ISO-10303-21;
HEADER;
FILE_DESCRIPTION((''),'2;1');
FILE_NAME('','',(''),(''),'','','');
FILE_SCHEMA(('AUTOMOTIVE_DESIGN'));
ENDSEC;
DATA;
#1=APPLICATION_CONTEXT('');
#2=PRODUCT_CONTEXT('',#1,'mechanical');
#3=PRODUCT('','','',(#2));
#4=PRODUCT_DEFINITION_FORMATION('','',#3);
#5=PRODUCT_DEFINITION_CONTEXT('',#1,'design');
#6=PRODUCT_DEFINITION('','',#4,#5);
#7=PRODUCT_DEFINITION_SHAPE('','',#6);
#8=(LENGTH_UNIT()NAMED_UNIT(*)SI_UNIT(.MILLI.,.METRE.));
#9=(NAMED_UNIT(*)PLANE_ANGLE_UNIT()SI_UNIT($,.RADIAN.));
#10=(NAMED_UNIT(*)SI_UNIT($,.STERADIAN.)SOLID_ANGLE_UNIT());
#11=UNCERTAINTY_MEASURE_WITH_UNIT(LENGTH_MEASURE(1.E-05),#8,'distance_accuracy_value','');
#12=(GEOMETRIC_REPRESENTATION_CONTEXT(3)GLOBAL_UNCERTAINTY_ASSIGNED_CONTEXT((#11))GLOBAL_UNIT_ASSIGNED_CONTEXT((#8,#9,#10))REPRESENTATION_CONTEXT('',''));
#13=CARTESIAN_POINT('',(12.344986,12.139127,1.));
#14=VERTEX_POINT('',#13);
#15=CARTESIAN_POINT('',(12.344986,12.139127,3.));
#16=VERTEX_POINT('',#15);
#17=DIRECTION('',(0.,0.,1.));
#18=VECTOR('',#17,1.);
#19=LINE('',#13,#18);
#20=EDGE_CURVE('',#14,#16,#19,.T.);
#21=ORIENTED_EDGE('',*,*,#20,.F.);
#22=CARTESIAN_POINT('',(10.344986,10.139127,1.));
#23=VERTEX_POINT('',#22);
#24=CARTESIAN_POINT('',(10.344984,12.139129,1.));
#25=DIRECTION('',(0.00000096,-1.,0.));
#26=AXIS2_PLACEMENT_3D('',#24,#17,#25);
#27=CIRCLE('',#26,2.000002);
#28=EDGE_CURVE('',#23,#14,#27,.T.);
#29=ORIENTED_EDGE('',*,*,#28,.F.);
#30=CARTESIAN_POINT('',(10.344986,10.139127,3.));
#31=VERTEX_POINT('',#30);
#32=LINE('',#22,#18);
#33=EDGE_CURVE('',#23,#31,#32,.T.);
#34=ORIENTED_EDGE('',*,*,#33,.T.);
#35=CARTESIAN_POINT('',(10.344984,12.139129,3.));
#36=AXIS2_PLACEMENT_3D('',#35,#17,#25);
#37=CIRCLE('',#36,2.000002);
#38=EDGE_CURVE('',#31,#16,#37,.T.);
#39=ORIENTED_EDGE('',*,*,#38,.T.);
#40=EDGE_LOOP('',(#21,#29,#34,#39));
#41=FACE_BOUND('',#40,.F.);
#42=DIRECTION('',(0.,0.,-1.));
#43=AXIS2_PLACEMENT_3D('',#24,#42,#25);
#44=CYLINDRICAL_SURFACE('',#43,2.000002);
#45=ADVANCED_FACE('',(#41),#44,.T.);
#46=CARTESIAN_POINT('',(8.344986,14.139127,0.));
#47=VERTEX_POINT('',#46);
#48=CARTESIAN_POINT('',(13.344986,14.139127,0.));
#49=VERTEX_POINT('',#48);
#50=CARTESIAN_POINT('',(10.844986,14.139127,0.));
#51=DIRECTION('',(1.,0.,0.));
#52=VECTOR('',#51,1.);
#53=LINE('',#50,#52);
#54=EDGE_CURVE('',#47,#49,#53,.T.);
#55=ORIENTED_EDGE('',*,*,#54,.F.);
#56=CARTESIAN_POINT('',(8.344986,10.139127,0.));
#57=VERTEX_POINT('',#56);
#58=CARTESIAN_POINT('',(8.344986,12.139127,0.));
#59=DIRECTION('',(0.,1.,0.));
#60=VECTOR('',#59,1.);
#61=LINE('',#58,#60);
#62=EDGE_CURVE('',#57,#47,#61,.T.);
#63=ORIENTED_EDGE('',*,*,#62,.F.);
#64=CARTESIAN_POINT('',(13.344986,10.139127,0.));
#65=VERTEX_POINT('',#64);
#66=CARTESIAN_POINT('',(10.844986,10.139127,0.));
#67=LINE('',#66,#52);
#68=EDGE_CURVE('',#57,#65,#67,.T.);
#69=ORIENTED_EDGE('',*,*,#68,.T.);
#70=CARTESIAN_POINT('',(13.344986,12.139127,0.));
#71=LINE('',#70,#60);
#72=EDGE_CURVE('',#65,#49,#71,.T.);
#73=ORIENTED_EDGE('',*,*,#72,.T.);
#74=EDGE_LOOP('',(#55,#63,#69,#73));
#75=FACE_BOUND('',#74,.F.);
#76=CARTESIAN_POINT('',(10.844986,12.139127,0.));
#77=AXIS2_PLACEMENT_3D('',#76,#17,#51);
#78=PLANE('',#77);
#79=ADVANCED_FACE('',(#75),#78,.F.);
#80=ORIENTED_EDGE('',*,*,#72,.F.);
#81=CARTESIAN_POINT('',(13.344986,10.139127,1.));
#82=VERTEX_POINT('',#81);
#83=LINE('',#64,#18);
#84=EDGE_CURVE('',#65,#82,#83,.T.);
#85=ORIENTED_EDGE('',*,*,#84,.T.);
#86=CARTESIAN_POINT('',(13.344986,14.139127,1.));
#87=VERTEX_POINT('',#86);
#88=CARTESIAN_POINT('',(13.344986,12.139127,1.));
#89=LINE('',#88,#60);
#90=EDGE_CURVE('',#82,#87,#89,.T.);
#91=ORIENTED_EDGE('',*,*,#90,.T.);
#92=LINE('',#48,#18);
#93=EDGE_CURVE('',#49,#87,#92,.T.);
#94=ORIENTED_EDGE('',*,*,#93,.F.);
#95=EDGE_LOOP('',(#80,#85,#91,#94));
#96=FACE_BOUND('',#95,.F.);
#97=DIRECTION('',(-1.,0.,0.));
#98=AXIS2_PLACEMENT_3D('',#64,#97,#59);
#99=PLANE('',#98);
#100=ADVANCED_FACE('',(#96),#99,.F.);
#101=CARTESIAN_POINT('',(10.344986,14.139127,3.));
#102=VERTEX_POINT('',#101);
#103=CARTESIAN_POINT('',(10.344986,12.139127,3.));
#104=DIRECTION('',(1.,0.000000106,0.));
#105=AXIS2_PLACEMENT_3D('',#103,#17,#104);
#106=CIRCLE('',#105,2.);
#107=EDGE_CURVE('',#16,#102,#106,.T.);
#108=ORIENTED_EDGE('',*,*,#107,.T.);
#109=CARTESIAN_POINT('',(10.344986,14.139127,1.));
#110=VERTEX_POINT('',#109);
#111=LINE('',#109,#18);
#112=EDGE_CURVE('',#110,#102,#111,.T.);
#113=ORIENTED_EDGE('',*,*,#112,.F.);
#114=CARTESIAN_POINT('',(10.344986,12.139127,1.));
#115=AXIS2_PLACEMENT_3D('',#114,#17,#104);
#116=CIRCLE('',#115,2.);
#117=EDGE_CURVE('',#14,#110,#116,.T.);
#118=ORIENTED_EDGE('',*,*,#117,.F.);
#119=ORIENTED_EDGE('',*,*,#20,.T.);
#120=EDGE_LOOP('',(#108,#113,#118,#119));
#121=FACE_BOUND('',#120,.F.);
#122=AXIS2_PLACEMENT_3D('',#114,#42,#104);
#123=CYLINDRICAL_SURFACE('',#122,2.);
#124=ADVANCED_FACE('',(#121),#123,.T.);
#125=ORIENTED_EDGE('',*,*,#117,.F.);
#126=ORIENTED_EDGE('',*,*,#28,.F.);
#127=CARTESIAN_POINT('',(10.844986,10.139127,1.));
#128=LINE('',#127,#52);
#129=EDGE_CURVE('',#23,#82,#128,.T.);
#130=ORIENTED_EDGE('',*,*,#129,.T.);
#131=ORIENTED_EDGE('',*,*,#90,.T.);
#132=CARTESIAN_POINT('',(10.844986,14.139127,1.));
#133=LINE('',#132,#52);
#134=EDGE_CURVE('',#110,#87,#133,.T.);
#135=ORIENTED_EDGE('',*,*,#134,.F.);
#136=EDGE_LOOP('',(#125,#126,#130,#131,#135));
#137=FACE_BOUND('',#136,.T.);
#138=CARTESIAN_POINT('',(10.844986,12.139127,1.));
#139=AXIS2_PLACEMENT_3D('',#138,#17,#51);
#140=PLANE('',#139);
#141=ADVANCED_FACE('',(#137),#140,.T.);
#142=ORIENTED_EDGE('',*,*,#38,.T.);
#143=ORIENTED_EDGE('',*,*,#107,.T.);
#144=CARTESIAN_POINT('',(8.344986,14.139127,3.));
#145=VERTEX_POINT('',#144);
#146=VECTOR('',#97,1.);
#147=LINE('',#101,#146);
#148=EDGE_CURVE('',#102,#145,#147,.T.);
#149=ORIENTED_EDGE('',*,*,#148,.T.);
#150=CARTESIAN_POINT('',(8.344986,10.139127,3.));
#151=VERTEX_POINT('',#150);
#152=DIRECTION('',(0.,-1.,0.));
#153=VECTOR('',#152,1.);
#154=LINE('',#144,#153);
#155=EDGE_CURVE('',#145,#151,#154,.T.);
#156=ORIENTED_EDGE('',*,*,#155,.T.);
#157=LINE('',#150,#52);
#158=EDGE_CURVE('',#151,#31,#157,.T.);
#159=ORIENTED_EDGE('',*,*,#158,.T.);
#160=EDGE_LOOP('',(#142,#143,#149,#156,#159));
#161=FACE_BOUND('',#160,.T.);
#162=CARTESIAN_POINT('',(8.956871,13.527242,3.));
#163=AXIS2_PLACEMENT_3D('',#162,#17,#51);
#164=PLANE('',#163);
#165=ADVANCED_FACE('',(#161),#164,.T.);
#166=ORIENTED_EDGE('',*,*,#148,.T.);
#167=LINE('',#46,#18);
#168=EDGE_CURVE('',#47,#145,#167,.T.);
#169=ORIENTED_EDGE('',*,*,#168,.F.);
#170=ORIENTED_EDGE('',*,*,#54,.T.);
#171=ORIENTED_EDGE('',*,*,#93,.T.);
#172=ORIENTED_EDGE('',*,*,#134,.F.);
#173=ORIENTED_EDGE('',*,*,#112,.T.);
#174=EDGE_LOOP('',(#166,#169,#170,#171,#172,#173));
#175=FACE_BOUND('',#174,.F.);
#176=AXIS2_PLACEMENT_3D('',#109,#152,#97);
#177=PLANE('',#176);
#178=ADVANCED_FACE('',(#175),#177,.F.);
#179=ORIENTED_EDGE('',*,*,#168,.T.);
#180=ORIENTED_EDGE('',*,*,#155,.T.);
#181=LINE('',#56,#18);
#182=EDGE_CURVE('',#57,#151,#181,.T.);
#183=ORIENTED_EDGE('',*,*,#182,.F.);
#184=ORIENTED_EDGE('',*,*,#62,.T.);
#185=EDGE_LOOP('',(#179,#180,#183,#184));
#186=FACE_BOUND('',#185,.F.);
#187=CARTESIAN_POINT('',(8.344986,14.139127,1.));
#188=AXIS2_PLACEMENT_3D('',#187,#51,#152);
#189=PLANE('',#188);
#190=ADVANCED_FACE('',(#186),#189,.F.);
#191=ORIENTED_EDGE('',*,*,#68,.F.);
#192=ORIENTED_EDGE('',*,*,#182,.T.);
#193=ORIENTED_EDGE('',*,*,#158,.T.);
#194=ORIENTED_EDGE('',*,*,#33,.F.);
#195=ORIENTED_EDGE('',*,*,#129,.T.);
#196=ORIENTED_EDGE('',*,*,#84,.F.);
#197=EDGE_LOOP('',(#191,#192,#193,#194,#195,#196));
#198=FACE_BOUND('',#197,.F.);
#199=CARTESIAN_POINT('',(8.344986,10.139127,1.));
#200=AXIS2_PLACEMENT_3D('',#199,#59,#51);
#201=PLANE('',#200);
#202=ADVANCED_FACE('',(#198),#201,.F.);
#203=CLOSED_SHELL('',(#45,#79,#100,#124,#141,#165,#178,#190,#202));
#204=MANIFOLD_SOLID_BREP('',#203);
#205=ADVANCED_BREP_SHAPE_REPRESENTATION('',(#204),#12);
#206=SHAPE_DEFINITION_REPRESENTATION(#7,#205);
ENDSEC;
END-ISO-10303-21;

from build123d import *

# Parameters (mm, degrees)
F0_W     = 5
F0_H     = 4
F1_DEPTH = 1
F3_DEPTH = 2


with BuildPart() as f1:
    # F0 (on Top) → F1 (new body)
    with BuildSketch(Plane.XY):
        with Locations((10.844986, 12.139127)):
            Rectangle(F0_W, F0_H)
    extrude(amount=F1_DEPTH)

    # F2 (on face) → F3 (join)
    with BuildSketch(Plane.XY.offset(1)):
        with BuildLine():
            Line((10.344986, 14.139127), (8.344986, 14.139127))
            Line((8.344986, 14.139127), (8.344986, 12.139127))
            ThreePointArc((8.344986, 12.139127), (8.930772, 13.553341), (10.344986, 14.139127))
        make_face()
        with BuildLine():
            ThreePointArc((10.344986, 10.139127), (8.930772, 10.724914), (8.344986, 12.139127))
            Line((8.344986, 12.139127), (8.344986, 10.139127))
            Line((8.344986, 10.139127), (10.344986, 10.139127))
        make_face()
        with BuildLine():
            ThreePointArc((10.344986, 14.139127), (8.930772, 13.553341), (8.344986, 12.139127))
            ThreePointArc((8.344986, 12.139127), (8.930772, 10.724914), (10.344986, 10.139127))
            ThreePointArc((10.344986, 10.139127), (11.759199, 10.724914), (12.344986, 12.139127))
            ThreePointArc((12.344986, 12.139127), (11.759199, 13.553341), (10.344986, 14.139127))
        make_face()
    extrude(amount=F3_DEPTH)


solid = f1.part
